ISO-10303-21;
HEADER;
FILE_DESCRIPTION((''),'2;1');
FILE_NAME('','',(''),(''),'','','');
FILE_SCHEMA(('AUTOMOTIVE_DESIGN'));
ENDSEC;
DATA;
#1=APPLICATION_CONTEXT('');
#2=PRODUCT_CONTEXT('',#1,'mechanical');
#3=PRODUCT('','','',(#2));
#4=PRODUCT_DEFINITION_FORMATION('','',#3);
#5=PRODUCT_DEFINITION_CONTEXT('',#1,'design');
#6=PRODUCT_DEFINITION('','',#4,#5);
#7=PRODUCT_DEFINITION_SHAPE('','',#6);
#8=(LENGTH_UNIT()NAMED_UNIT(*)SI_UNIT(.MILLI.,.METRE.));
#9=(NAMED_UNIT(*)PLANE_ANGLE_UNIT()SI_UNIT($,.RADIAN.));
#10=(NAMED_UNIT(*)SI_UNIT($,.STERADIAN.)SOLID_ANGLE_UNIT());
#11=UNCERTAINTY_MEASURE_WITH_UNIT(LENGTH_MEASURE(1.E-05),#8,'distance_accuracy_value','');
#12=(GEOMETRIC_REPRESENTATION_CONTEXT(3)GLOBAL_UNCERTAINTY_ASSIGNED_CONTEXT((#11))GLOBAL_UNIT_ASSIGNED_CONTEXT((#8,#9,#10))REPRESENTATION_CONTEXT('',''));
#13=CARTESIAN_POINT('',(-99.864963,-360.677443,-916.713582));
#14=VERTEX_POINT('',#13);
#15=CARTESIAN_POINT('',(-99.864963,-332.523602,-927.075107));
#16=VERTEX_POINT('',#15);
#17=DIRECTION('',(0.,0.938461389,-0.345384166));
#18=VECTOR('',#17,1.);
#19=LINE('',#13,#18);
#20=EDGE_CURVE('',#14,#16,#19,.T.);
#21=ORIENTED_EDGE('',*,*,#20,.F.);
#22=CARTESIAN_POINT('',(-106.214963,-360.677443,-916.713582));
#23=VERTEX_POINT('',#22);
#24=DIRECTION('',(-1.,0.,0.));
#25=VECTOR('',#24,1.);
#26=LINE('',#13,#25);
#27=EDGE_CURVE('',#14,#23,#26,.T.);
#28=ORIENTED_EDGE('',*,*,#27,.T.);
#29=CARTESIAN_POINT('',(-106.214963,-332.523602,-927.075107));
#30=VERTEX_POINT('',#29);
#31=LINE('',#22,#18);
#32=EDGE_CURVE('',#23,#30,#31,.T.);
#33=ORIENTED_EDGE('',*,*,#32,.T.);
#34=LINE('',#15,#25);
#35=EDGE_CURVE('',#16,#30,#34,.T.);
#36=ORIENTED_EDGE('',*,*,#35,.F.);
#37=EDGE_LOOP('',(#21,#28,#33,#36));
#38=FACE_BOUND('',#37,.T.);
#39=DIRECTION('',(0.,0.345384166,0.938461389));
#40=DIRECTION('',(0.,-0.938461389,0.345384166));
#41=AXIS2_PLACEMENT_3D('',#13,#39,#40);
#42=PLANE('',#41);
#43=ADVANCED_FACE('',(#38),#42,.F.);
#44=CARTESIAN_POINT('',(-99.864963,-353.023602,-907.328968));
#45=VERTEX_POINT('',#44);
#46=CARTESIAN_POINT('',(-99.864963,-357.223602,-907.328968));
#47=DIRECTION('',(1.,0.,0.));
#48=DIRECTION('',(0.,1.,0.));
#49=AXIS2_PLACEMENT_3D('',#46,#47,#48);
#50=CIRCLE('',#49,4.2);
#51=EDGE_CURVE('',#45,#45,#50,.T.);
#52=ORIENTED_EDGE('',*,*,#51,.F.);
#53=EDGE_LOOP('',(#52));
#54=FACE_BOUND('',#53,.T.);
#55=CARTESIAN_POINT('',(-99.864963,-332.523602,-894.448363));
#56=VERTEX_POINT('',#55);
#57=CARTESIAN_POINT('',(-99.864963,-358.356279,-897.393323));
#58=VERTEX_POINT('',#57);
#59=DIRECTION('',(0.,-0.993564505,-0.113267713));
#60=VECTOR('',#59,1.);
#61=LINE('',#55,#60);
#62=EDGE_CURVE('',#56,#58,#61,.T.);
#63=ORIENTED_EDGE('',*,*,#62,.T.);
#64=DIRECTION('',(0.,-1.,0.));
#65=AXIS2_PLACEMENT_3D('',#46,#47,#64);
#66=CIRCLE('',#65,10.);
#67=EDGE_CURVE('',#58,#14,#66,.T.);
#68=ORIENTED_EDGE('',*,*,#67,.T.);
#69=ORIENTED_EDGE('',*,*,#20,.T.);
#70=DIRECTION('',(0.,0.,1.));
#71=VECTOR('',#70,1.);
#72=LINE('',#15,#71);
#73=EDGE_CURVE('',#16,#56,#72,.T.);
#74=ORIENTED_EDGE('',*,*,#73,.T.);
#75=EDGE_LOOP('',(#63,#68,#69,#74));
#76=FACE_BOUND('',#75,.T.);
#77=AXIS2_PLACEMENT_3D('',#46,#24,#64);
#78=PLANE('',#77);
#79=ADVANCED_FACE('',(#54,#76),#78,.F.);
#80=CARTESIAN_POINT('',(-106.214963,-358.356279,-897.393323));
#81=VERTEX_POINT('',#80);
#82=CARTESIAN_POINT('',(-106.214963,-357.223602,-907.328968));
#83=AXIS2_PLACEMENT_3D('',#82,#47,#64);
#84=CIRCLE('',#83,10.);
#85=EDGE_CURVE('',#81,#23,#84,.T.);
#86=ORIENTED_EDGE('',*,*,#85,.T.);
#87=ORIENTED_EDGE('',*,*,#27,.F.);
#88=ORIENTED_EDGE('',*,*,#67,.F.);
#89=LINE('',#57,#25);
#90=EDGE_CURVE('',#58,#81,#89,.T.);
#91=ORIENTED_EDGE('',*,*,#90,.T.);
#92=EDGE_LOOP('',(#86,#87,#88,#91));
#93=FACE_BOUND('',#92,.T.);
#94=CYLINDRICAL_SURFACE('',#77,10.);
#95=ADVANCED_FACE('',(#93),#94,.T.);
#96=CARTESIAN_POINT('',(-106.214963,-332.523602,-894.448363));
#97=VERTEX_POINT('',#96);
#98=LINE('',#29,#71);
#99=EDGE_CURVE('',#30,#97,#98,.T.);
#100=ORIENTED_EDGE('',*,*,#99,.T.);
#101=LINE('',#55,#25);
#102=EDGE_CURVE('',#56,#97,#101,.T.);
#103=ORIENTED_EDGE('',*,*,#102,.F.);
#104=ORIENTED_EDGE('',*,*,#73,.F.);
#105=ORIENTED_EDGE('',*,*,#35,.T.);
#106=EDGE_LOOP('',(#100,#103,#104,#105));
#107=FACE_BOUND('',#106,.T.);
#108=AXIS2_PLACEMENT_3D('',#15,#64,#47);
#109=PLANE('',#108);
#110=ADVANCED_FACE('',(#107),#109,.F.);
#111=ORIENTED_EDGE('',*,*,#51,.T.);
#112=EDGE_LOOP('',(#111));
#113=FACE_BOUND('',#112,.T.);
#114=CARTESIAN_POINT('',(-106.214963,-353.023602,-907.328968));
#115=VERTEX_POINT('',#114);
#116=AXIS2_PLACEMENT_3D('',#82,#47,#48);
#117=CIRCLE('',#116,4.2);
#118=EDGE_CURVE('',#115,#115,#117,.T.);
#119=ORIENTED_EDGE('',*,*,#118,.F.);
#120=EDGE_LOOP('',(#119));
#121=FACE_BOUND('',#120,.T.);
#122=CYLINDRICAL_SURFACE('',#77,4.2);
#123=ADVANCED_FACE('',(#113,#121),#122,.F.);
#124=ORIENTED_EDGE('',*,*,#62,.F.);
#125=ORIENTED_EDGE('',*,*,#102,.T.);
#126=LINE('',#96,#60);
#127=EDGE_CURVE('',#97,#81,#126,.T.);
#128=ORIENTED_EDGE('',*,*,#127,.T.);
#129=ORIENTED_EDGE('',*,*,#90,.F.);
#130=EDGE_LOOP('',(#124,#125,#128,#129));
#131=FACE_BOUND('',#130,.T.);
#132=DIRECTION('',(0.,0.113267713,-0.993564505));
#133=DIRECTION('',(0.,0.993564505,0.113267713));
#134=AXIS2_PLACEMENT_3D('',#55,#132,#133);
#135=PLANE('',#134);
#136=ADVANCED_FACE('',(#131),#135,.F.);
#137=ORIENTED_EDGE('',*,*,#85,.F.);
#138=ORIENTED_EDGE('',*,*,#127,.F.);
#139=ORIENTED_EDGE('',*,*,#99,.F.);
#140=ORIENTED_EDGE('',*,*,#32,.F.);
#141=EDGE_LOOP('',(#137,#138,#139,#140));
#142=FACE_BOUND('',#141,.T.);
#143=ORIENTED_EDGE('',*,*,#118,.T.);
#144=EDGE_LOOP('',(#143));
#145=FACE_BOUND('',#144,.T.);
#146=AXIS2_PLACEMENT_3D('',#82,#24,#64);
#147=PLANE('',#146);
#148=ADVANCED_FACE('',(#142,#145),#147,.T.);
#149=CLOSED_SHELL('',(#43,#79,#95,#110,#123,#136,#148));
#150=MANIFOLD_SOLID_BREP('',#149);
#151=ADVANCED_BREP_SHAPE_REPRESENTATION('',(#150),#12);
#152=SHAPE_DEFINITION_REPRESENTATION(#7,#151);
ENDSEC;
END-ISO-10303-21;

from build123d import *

# Parameters (mm, degrees)
SKETCH2_R           = 4.2
BOSS_EXTRUDE2_DEPTH = 6.35


with BuildPart() as part:
    # Sketch2 → Boss-Extrude2 (new body)
    with BuildSketch(Plane(origin=(-106.214962915, 0, 0), x_dir=(0, 0, -1), z_dir=(1, 0, 0))):
        with BuildLine():
            Line((916.713582015, -360.677443288), (927.075106991, -332.523601629))
            Line((927.075106991, -332.523601629), (894.448362552, -332.523601629))
            Line((894.448362552, -332.523601629), (897.39332308, -358.356278755))
            ThreePointArc((897.39332308, -358.356278755), (906.13613116, -367.152203744), (916.713582015, -360.677443288))
        make_face()
        with Locations(Location((907.328968128, -357.223601629, 0), (0, 0, 90))):
            Circle(SKETCH2_R, mode=Mode.SUBTRACT)
    extrude(amount=BOSS_EXTRUDE2_DEPTH)


solid = part.part
